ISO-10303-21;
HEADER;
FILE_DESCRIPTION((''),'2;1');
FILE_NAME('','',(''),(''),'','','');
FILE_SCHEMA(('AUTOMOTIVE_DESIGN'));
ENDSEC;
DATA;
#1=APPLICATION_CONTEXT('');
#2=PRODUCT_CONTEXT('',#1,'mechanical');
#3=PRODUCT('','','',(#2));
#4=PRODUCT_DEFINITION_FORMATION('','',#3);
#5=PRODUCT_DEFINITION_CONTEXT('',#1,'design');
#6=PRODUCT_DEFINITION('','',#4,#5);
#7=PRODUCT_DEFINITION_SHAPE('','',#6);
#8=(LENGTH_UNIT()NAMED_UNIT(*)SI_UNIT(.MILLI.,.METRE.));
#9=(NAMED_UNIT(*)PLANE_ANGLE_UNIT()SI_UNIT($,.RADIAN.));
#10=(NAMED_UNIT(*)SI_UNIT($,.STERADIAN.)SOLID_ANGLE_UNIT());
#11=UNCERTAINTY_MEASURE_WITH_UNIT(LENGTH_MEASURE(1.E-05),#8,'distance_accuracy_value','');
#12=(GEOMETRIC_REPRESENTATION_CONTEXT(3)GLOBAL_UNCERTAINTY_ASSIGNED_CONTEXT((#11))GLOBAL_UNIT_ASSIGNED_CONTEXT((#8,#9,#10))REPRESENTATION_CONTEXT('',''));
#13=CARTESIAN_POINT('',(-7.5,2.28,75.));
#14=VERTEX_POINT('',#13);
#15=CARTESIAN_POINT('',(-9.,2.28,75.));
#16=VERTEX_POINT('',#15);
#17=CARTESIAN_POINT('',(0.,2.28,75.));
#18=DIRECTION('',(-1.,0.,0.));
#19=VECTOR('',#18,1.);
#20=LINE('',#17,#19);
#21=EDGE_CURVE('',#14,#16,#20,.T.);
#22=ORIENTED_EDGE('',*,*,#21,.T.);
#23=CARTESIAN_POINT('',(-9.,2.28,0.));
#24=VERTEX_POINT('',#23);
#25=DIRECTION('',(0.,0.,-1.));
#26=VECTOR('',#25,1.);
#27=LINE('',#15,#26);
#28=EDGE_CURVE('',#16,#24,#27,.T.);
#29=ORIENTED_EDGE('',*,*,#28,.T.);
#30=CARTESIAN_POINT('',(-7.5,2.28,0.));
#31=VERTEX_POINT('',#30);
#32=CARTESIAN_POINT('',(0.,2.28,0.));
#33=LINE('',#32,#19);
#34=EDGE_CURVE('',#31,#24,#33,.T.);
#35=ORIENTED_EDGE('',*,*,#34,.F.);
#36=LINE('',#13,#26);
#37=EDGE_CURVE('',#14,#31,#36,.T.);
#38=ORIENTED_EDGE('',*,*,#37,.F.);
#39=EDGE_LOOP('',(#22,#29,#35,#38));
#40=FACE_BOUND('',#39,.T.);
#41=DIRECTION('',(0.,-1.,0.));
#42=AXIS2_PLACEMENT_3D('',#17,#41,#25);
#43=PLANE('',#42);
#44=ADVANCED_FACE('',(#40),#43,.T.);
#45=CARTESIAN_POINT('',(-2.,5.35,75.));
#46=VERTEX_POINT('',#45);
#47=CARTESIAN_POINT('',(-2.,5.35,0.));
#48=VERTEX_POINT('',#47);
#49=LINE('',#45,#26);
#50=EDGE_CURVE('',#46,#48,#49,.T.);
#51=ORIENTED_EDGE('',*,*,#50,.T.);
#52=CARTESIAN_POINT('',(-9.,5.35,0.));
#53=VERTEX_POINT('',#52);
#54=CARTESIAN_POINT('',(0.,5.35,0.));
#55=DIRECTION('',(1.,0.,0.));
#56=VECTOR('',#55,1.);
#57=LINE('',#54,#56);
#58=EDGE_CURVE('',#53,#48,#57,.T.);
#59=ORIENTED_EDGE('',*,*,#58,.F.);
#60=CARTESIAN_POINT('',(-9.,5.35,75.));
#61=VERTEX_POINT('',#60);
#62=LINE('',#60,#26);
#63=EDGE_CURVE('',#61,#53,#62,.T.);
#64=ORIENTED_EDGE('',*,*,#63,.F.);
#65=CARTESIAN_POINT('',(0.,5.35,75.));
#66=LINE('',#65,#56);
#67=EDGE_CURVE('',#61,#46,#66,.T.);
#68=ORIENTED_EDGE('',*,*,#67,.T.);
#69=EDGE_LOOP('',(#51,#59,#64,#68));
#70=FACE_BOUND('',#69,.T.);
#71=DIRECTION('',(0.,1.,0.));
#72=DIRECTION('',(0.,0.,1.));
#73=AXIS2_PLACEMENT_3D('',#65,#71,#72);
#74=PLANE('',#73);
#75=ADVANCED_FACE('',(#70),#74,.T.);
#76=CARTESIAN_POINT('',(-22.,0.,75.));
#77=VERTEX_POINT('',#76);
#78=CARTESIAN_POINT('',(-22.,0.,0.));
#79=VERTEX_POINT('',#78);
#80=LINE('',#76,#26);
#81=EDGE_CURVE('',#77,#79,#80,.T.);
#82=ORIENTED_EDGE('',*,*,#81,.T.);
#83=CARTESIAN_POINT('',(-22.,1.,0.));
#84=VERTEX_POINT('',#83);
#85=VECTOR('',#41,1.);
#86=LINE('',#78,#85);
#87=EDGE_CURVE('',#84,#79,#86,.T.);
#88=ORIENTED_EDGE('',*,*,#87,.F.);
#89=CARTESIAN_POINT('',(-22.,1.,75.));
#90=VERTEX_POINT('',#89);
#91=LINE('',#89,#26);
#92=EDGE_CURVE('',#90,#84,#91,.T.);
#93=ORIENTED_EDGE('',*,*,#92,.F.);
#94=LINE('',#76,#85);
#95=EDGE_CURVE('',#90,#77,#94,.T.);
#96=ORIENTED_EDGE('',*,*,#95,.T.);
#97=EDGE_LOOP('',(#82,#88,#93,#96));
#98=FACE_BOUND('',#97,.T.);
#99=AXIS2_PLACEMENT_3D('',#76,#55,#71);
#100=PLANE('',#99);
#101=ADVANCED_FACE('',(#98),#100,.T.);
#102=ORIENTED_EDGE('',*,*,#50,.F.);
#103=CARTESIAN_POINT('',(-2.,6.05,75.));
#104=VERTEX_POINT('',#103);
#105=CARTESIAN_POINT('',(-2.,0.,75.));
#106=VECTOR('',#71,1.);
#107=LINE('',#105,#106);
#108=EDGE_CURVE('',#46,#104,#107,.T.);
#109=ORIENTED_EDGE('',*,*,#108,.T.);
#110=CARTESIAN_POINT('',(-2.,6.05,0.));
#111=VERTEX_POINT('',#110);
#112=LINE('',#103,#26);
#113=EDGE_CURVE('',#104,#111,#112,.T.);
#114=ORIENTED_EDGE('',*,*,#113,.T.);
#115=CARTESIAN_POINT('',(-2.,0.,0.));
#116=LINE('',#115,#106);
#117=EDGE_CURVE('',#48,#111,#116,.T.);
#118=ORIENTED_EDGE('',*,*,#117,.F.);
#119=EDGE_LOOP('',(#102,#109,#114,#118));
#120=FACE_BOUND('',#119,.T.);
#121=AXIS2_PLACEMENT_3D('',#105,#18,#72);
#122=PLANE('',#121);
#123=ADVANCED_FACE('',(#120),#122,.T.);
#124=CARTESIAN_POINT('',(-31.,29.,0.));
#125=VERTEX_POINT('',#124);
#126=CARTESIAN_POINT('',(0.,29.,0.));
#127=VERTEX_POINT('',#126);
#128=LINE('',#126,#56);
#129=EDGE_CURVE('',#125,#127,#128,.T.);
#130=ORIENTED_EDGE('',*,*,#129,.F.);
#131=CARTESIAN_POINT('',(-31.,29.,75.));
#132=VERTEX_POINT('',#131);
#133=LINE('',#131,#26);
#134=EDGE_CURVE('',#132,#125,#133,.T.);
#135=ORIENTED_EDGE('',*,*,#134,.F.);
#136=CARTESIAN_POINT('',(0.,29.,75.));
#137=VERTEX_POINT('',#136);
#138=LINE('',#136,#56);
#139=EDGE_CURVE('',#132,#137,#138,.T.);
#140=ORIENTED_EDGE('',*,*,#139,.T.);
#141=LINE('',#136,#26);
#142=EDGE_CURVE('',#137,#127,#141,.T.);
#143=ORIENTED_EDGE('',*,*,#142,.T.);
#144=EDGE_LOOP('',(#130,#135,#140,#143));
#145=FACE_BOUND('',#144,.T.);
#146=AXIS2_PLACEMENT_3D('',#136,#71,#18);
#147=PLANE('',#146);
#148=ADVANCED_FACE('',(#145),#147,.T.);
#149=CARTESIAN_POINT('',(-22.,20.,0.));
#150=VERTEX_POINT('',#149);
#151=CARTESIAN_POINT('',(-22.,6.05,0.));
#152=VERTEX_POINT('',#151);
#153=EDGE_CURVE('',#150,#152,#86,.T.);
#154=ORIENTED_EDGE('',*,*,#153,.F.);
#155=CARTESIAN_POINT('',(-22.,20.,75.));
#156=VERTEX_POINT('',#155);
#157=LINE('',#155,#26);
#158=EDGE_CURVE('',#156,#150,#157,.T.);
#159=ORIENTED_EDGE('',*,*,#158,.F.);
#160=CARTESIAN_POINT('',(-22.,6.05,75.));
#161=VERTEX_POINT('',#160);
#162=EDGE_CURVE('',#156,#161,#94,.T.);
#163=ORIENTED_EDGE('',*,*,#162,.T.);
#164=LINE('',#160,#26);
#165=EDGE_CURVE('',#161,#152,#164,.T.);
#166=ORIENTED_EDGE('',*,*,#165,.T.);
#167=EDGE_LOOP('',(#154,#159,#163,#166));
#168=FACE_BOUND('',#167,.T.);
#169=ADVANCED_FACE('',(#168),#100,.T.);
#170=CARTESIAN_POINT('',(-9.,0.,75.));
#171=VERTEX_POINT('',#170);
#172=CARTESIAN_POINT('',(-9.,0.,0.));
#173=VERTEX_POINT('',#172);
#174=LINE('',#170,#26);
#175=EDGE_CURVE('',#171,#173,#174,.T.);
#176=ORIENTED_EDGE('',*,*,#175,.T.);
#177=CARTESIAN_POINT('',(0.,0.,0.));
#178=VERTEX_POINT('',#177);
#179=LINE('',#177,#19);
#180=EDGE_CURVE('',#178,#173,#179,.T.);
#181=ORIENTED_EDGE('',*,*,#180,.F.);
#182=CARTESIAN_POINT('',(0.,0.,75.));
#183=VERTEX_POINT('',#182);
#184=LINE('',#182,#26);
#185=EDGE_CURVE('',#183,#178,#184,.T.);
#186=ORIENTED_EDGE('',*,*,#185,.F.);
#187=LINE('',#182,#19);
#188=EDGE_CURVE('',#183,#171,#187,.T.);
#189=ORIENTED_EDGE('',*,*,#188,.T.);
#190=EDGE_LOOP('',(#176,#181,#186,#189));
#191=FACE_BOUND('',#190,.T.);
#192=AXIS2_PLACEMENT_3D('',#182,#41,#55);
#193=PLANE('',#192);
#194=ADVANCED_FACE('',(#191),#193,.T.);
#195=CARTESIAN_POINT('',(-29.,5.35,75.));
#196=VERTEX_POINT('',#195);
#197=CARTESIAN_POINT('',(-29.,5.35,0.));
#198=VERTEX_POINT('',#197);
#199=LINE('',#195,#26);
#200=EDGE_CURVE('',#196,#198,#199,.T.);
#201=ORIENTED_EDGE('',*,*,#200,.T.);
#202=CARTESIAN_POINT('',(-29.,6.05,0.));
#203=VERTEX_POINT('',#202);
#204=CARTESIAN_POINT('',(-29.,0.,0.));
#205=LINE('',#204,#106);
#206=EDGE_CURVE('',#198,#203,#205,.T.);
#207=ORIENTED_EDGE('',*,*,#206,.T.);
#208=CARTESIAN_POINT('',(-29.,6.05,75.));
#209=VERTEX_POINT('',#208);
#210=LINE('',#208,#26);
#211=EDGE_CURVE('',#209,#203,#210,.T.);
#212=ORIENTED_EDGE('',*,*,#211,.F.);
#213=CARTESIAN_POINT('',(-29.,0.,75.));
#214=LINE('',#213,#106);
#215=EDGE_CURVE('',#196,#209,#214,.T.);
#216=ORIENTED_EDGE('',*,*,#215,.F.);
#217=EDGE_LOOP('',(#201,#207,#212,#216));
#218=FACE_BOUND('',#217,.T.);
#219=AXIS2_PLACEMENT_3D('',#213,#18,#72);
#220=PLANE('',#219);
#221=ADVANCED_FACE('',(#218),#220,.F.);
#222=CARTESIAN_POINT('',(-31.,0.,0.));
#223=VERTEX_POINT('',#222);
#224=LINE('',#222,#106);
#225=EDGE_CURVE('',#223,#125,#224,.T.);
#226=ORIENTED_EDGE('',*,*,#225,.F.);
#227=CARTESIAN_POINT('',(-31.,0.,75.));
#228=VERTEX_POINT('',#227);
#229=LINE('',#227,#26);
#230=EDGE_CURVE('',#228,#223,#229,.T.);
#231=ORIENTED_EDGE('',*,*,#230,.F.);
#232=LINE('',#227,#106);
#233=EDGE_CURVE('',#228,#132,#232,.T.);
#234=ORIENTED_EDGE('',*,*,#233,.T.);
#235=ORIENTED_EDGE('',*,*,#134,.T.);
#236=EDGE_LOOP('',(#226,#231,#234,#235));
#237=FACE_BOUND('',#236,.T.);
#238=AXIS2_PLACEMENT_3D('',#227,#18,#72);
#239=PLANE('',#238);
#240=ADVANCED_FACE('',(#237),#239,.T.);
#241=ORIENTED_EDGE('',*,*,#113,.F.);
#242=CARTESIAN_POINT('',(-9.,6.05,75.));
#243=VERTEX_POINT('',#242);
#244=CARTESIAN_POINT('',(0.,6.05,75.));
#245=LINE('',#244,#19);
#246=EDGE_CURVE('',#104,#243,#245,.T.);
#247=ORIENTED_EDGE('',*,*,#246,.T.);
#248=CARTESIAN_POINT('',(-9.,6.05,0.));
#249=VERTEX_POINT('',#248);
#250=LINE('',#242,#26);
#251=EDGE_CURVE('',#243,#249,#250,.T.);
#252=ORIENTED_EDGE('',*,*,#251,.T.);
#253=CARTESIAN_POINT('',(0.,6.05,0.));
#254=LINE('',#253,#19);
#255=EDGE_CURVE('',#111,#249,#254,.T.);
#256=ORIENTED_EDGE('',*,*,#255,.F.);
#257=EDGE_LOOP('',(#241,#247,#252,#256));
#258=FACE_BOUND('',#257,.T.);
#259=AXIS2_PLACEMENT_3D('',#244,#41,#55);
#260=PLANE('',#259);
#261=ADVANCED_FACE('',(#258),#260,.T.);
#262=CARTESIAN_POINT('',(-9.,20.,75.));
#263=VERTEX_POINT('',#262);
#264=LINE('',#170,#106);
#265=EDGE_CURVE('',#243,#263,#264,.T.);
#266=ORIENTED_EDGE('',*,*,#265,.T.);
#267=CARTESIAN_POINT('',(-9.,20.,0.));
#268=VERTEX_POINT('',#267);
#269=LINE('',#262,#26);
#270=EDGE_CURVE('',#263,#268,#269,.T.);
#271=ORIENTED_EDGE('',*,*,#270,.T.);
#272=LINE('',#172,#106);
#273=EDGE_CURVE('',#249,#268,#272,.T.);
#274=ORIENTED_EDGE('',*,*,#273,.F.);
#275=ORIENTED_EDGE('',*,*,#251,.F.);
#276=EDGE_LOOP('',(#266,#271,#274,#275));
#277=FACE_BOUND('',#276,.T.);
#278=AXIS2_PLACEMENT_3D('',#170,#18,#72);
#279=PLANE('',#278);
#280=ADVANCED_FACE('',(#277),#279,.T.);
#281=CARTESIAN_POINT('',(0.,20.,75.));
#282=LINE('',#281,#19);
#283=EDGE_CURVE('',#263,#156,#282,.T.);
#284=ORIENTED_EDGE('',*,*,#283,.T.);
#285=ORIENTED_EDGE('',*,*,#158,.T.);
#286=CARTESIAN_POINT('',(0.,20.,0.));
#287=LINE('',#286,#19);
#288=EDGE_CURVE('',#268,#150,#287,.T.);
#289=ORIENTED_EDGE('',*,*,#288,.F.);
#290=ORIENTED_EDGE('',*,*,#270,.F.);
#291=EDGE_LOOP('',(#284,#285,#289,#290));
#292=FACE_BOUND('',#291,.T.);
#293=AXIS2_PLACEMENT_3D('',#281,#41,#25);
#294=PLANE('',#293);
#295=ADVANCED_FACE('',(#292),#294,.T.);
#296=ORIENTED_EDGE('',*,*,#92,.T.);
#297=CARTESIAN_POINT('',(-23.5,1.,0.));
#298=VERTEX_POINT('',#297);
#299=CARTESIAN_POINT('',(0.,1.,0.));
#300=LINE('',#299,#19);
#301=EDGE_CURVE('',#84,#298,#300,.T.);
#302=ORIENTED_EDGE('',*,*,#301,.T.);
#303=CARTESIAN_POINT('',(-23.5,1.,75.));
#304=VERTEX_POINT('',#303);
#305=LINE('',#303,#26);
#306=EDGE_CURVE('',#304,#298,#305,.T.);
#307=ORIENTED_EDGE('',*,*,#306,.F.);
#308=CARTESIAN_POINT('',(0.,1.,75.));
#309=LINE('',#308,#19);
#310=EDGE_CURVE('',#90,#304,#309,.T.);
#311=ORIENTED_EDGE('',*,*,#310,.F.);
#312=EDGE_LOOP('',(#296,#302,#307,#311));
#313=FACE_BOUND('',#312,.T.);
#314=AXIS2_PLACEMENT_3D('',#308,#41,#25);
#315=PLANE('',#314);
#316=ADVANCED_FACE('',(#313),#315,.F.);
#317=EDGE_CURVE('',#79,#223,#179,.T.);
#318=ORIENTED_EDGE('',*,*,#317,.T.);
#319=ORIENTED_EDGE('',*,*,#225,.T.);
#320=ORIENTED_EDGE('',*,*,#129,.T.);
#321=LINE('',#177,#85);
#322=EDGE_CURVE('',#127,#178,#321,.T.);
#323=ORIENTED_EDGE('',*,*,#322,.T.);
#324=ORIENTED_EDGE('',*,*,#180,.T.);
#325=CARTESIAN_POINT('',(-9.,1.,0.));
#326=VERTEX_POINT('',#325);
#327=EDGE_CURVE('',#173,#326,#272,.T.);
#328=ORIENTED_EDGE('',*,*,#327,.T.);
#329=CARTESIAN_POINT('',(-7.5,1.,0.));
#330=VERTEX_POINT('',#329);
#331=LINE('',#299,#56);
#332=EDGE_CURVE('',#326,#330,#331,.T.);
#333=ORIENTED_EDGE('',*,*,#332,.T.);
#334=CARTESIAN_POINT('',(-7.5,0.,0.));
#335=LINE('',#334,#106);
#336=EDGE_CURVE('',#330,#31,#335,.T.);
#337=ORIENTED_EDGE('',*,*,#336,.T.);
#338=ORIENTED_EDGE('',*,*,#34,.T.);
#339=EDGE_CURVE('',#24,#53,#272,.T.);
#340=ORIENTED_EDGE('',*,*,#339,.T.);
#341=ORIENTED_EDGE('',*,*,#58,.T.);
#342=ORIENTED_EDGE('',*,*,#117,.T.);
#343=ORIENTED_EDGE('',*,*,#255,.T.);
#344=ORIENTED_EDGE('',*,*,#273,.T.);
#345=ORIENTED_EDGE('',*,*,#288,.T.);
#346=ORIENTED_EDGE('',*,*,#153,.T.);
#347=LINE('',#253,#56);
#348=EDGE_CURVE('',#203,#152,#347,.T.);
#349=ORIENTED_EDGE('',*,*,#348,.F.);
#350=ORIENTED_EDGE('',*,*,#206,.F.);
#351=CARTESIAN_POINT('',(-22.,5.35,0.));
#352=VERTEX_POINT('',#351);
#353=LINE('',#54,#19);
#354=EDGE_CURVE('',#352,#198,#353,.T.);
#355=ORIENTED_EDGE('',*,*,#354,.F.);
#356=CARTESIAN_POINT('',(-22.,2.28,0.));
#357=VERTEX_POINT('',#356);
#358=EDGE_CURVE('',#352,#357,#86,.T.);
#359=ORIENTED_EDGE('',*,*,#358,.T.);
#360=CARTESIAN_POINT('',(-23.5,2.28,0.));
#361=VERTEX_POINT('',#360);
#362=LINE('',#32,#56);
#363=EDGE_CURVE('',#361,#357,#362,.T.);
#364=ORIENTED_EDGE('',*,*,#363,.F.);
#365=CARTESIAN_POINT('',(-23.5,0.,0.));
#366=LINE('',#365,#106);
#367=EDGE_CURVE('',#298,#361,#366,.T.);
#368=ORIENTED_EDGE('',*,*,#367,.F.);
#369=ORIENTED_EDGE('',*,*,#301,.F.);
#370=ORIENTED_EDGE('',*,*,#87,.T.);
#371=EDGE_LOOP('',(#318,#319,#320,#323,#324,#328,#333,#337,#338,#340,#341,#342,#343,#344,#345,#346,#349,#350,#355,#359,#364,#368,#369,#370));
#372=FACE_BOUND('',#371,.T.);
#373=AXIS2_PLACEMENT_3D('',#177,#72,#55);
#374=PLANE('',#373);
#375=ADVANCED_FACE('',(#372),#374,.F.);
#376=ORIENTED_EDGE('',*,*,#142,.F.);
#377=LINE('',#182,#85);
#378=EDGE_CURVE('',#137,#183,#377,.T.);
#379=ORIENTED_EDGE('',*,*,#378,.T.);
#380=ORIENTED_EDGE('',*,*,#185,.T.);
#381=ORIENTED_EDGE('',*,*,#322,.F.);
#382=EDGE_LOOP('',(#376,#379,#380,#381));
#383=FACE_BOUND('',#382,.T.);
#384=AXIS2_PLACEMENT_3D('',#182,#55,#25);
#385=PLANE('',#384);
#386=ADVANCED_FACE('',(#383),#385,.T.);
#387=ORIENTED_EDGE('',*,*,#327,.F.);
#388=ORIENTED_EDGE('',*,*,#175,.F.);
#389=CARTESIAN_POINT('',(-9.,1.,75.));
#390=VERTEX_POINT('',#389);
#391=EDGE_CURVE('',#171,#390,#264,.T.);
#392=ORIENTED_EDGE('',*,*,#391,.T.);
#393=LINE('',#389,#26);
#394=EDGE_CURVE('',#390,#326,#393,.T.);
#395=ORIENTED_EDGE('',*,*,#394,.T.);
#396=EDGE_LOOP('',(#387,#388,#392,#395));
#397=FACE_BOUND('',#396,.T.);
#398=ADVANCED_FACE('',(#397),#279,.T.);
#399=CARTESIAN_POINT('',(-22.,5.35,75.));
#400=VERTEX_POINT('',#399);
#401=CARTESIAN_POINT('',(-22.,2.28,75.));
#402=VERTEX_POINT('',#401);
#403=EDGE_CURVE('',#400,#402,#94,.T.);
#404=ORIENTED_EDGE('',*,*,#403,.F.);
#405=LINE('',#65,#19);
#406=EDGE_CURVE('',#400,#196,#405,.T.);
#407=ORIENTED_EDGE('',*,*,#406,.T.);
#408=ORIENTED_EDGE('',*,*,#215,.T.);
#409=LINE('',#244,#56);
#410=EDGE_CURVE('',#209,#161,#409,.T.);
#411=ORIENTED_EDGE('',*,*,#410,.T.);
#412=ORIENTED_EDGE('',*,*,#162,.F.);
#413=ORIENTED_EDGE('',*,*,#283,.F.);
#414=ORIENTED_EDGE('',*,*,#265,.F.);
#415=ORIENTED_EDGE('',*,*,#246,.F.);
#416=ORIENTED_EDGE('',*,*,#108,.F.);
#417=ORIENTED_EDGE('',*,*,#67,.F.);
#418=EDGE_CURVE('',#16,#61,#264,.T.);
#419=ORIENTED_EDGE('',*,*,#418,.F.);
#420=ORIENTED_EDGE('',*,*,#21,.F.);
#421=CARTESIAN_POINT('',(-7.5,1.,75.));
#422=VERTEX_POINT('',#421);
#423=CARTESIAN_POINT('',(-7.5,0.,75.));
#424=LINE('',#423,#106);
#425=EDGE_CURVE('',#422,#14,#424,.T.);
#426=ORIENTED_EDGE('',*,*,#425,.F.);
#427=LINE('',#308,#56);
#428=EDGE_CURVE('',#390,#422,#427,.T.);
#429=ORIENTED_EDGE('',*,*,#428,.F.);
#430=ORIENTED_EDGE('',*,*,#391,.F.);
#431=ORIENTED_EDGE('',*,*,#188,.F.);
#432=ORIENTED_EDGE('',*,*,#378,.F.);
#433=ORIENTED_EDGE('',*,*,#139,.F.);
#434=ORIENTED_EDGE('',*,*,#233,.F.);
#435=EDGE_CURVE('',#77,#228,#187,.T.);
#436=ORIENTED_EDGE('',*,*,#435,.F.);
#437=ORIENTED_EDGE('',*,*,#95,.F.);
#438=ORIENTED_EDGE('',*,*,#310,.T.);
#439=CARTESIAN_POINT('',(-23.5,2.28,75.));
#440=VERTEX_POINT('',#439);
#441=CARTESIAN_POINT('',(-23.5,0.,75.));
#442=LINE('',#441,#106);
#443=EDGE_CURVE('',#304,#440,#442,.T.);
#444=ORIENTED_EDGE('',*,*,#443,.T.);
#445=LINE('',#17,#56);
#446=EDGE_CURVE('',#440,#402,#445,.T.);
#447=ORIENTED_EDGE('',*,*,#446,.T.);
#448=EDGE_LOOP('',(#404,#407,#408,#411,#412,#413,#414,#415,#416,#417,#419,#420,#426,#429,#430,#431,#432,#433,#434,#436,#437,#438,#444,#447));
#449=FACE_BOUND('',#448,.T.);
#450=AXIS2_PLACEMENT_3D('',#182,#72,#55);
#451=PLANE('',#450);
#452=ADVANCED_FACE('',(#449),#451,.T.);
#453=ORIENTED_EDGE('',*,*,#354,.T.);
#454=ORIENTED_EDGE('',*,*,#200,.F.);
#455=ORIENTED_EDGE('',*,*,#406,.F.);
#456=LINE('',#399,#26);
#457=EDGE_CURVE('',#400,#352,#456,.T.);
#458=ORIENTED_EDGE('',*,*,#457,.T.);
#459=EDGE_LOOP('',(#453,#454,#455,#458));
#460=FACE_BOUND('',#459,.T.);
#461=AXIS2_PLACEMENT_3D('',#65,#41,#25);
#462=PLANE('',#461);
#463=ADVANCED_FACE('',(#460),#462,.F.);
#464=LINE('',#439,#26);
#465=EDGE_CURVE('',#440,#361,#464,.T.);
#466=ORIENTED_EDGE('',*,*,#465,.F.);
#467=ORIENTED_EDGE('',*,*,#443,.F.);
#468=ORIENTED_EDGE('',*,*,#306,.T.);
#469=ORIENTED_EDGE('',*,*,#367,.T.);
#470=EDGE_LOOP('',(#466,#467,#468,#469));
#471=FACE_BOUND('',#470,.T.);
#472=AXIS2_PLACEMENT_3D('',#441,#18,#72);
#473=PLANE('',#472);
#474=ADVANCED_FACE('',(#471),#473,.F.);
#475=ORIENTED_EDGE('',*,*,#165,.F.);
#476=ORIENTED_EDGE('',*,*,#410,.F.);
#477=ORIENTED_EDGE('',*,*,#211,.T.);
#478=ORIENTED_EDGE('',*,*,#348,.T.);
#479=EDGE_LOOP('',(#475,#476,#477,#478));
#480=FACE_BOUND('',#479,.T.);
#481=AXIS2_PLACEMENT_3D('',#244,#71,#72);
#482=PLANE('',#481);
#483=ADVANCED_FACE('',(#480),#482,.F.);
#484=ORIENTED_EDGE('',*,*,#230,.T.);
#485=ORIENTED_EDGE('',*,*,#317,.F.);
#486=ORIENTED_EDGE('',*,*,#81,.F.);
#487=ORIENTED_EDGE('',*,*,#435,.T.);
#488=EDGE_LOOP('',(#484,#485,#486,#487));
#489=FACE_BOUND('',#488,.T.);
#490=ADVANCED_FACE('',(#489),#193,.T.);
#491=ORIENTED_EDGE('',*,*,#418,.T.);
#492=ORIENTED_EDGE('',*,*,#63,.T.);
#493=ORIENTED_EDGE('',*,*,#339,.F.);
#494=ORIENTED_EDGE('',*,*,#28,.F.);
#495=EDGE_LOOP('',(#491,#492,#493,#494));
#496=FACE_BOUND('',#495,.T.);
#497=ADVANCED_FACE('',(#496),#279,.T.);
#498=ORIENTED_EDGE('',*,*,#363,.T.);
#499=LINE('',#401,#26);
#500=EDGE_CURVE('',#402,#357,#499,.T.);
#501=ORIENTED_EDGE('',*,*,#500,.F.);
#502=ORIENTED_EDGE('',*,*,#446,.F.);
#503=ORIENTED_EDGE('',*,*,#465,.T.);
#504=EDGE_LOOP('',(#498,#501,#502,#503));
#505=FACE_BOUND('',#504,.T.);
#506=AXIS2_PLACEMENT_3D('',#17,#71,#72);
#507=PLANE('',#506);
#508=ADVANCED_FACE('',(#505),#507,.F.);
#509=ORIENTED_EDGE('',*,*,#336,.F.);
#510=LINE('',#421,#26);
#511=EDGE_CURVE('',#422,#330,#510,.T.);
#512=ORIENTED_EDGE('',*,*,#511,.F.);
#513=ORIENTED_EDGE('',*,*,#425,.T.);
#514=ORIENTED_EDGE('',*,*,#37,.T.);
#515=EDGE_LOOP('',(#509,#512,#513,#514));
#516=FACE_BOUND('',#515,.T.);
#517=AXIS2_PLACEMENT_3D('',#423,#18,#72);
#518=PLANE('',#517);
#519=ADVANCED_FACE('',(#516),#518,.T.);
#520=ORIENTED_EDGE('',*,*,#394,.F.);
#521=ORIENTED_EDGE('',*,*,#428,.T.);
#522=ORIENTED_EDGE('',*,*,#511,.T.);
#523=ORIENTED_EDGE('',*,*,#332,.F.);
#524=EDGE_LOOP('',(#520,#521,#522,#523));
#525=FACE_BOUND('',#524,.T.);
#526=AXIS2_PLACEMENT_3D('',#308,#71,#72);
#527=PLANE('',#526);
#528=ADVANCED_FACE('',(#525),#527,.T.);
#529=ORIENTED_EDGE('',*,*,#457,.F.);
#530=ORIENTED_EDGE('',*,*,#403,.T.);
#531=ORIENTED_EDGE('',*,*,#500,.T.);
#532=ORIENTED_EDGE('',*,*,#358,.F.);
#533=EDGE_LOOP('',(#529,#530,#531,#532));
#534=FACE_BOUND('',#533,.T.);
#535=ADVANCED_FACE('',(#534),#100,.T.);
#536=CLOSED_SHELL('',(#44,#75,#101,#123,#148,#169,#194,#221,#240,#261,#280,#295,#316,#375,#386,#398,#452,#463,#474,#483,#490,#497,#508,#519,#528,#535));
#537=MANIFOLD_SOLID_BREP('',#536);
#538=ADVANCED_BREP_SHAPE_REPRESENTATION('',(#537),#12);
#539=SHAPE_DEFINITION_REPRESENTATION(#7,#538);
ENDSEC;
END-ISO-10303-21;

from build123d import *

# Parameters (mm, degrees)
BOSS_EXTRUDE2_DEPTH = 75


with BuildPart() as part:
    # Sketch1 → Boss-Extrude2 (new body)
    with BuildSketch(Plane.XY):
        Polygon((-31, 29), (-31, 0), (-22, 0), (-22, 1), (-23.5, 1), (-23.5, 2.28), (-22, 2.28), (-22, 5.35), (-29, 5.35), (-29, 6.05), (-22, 6.05), (-22, 20), (-9, 20), (-9, 6.05), (-2, 6.05), (-2, 5.35), (-9, 5.35), (-9, 2.28), (-7.5, 2.28), (-7.5, 1), (-9, 1), (-9, 0), (0, 0), (0, 29), align=None)
    extrude(amount=BOSS_EXTRUDE2_DEPTH)


solid = part.part
